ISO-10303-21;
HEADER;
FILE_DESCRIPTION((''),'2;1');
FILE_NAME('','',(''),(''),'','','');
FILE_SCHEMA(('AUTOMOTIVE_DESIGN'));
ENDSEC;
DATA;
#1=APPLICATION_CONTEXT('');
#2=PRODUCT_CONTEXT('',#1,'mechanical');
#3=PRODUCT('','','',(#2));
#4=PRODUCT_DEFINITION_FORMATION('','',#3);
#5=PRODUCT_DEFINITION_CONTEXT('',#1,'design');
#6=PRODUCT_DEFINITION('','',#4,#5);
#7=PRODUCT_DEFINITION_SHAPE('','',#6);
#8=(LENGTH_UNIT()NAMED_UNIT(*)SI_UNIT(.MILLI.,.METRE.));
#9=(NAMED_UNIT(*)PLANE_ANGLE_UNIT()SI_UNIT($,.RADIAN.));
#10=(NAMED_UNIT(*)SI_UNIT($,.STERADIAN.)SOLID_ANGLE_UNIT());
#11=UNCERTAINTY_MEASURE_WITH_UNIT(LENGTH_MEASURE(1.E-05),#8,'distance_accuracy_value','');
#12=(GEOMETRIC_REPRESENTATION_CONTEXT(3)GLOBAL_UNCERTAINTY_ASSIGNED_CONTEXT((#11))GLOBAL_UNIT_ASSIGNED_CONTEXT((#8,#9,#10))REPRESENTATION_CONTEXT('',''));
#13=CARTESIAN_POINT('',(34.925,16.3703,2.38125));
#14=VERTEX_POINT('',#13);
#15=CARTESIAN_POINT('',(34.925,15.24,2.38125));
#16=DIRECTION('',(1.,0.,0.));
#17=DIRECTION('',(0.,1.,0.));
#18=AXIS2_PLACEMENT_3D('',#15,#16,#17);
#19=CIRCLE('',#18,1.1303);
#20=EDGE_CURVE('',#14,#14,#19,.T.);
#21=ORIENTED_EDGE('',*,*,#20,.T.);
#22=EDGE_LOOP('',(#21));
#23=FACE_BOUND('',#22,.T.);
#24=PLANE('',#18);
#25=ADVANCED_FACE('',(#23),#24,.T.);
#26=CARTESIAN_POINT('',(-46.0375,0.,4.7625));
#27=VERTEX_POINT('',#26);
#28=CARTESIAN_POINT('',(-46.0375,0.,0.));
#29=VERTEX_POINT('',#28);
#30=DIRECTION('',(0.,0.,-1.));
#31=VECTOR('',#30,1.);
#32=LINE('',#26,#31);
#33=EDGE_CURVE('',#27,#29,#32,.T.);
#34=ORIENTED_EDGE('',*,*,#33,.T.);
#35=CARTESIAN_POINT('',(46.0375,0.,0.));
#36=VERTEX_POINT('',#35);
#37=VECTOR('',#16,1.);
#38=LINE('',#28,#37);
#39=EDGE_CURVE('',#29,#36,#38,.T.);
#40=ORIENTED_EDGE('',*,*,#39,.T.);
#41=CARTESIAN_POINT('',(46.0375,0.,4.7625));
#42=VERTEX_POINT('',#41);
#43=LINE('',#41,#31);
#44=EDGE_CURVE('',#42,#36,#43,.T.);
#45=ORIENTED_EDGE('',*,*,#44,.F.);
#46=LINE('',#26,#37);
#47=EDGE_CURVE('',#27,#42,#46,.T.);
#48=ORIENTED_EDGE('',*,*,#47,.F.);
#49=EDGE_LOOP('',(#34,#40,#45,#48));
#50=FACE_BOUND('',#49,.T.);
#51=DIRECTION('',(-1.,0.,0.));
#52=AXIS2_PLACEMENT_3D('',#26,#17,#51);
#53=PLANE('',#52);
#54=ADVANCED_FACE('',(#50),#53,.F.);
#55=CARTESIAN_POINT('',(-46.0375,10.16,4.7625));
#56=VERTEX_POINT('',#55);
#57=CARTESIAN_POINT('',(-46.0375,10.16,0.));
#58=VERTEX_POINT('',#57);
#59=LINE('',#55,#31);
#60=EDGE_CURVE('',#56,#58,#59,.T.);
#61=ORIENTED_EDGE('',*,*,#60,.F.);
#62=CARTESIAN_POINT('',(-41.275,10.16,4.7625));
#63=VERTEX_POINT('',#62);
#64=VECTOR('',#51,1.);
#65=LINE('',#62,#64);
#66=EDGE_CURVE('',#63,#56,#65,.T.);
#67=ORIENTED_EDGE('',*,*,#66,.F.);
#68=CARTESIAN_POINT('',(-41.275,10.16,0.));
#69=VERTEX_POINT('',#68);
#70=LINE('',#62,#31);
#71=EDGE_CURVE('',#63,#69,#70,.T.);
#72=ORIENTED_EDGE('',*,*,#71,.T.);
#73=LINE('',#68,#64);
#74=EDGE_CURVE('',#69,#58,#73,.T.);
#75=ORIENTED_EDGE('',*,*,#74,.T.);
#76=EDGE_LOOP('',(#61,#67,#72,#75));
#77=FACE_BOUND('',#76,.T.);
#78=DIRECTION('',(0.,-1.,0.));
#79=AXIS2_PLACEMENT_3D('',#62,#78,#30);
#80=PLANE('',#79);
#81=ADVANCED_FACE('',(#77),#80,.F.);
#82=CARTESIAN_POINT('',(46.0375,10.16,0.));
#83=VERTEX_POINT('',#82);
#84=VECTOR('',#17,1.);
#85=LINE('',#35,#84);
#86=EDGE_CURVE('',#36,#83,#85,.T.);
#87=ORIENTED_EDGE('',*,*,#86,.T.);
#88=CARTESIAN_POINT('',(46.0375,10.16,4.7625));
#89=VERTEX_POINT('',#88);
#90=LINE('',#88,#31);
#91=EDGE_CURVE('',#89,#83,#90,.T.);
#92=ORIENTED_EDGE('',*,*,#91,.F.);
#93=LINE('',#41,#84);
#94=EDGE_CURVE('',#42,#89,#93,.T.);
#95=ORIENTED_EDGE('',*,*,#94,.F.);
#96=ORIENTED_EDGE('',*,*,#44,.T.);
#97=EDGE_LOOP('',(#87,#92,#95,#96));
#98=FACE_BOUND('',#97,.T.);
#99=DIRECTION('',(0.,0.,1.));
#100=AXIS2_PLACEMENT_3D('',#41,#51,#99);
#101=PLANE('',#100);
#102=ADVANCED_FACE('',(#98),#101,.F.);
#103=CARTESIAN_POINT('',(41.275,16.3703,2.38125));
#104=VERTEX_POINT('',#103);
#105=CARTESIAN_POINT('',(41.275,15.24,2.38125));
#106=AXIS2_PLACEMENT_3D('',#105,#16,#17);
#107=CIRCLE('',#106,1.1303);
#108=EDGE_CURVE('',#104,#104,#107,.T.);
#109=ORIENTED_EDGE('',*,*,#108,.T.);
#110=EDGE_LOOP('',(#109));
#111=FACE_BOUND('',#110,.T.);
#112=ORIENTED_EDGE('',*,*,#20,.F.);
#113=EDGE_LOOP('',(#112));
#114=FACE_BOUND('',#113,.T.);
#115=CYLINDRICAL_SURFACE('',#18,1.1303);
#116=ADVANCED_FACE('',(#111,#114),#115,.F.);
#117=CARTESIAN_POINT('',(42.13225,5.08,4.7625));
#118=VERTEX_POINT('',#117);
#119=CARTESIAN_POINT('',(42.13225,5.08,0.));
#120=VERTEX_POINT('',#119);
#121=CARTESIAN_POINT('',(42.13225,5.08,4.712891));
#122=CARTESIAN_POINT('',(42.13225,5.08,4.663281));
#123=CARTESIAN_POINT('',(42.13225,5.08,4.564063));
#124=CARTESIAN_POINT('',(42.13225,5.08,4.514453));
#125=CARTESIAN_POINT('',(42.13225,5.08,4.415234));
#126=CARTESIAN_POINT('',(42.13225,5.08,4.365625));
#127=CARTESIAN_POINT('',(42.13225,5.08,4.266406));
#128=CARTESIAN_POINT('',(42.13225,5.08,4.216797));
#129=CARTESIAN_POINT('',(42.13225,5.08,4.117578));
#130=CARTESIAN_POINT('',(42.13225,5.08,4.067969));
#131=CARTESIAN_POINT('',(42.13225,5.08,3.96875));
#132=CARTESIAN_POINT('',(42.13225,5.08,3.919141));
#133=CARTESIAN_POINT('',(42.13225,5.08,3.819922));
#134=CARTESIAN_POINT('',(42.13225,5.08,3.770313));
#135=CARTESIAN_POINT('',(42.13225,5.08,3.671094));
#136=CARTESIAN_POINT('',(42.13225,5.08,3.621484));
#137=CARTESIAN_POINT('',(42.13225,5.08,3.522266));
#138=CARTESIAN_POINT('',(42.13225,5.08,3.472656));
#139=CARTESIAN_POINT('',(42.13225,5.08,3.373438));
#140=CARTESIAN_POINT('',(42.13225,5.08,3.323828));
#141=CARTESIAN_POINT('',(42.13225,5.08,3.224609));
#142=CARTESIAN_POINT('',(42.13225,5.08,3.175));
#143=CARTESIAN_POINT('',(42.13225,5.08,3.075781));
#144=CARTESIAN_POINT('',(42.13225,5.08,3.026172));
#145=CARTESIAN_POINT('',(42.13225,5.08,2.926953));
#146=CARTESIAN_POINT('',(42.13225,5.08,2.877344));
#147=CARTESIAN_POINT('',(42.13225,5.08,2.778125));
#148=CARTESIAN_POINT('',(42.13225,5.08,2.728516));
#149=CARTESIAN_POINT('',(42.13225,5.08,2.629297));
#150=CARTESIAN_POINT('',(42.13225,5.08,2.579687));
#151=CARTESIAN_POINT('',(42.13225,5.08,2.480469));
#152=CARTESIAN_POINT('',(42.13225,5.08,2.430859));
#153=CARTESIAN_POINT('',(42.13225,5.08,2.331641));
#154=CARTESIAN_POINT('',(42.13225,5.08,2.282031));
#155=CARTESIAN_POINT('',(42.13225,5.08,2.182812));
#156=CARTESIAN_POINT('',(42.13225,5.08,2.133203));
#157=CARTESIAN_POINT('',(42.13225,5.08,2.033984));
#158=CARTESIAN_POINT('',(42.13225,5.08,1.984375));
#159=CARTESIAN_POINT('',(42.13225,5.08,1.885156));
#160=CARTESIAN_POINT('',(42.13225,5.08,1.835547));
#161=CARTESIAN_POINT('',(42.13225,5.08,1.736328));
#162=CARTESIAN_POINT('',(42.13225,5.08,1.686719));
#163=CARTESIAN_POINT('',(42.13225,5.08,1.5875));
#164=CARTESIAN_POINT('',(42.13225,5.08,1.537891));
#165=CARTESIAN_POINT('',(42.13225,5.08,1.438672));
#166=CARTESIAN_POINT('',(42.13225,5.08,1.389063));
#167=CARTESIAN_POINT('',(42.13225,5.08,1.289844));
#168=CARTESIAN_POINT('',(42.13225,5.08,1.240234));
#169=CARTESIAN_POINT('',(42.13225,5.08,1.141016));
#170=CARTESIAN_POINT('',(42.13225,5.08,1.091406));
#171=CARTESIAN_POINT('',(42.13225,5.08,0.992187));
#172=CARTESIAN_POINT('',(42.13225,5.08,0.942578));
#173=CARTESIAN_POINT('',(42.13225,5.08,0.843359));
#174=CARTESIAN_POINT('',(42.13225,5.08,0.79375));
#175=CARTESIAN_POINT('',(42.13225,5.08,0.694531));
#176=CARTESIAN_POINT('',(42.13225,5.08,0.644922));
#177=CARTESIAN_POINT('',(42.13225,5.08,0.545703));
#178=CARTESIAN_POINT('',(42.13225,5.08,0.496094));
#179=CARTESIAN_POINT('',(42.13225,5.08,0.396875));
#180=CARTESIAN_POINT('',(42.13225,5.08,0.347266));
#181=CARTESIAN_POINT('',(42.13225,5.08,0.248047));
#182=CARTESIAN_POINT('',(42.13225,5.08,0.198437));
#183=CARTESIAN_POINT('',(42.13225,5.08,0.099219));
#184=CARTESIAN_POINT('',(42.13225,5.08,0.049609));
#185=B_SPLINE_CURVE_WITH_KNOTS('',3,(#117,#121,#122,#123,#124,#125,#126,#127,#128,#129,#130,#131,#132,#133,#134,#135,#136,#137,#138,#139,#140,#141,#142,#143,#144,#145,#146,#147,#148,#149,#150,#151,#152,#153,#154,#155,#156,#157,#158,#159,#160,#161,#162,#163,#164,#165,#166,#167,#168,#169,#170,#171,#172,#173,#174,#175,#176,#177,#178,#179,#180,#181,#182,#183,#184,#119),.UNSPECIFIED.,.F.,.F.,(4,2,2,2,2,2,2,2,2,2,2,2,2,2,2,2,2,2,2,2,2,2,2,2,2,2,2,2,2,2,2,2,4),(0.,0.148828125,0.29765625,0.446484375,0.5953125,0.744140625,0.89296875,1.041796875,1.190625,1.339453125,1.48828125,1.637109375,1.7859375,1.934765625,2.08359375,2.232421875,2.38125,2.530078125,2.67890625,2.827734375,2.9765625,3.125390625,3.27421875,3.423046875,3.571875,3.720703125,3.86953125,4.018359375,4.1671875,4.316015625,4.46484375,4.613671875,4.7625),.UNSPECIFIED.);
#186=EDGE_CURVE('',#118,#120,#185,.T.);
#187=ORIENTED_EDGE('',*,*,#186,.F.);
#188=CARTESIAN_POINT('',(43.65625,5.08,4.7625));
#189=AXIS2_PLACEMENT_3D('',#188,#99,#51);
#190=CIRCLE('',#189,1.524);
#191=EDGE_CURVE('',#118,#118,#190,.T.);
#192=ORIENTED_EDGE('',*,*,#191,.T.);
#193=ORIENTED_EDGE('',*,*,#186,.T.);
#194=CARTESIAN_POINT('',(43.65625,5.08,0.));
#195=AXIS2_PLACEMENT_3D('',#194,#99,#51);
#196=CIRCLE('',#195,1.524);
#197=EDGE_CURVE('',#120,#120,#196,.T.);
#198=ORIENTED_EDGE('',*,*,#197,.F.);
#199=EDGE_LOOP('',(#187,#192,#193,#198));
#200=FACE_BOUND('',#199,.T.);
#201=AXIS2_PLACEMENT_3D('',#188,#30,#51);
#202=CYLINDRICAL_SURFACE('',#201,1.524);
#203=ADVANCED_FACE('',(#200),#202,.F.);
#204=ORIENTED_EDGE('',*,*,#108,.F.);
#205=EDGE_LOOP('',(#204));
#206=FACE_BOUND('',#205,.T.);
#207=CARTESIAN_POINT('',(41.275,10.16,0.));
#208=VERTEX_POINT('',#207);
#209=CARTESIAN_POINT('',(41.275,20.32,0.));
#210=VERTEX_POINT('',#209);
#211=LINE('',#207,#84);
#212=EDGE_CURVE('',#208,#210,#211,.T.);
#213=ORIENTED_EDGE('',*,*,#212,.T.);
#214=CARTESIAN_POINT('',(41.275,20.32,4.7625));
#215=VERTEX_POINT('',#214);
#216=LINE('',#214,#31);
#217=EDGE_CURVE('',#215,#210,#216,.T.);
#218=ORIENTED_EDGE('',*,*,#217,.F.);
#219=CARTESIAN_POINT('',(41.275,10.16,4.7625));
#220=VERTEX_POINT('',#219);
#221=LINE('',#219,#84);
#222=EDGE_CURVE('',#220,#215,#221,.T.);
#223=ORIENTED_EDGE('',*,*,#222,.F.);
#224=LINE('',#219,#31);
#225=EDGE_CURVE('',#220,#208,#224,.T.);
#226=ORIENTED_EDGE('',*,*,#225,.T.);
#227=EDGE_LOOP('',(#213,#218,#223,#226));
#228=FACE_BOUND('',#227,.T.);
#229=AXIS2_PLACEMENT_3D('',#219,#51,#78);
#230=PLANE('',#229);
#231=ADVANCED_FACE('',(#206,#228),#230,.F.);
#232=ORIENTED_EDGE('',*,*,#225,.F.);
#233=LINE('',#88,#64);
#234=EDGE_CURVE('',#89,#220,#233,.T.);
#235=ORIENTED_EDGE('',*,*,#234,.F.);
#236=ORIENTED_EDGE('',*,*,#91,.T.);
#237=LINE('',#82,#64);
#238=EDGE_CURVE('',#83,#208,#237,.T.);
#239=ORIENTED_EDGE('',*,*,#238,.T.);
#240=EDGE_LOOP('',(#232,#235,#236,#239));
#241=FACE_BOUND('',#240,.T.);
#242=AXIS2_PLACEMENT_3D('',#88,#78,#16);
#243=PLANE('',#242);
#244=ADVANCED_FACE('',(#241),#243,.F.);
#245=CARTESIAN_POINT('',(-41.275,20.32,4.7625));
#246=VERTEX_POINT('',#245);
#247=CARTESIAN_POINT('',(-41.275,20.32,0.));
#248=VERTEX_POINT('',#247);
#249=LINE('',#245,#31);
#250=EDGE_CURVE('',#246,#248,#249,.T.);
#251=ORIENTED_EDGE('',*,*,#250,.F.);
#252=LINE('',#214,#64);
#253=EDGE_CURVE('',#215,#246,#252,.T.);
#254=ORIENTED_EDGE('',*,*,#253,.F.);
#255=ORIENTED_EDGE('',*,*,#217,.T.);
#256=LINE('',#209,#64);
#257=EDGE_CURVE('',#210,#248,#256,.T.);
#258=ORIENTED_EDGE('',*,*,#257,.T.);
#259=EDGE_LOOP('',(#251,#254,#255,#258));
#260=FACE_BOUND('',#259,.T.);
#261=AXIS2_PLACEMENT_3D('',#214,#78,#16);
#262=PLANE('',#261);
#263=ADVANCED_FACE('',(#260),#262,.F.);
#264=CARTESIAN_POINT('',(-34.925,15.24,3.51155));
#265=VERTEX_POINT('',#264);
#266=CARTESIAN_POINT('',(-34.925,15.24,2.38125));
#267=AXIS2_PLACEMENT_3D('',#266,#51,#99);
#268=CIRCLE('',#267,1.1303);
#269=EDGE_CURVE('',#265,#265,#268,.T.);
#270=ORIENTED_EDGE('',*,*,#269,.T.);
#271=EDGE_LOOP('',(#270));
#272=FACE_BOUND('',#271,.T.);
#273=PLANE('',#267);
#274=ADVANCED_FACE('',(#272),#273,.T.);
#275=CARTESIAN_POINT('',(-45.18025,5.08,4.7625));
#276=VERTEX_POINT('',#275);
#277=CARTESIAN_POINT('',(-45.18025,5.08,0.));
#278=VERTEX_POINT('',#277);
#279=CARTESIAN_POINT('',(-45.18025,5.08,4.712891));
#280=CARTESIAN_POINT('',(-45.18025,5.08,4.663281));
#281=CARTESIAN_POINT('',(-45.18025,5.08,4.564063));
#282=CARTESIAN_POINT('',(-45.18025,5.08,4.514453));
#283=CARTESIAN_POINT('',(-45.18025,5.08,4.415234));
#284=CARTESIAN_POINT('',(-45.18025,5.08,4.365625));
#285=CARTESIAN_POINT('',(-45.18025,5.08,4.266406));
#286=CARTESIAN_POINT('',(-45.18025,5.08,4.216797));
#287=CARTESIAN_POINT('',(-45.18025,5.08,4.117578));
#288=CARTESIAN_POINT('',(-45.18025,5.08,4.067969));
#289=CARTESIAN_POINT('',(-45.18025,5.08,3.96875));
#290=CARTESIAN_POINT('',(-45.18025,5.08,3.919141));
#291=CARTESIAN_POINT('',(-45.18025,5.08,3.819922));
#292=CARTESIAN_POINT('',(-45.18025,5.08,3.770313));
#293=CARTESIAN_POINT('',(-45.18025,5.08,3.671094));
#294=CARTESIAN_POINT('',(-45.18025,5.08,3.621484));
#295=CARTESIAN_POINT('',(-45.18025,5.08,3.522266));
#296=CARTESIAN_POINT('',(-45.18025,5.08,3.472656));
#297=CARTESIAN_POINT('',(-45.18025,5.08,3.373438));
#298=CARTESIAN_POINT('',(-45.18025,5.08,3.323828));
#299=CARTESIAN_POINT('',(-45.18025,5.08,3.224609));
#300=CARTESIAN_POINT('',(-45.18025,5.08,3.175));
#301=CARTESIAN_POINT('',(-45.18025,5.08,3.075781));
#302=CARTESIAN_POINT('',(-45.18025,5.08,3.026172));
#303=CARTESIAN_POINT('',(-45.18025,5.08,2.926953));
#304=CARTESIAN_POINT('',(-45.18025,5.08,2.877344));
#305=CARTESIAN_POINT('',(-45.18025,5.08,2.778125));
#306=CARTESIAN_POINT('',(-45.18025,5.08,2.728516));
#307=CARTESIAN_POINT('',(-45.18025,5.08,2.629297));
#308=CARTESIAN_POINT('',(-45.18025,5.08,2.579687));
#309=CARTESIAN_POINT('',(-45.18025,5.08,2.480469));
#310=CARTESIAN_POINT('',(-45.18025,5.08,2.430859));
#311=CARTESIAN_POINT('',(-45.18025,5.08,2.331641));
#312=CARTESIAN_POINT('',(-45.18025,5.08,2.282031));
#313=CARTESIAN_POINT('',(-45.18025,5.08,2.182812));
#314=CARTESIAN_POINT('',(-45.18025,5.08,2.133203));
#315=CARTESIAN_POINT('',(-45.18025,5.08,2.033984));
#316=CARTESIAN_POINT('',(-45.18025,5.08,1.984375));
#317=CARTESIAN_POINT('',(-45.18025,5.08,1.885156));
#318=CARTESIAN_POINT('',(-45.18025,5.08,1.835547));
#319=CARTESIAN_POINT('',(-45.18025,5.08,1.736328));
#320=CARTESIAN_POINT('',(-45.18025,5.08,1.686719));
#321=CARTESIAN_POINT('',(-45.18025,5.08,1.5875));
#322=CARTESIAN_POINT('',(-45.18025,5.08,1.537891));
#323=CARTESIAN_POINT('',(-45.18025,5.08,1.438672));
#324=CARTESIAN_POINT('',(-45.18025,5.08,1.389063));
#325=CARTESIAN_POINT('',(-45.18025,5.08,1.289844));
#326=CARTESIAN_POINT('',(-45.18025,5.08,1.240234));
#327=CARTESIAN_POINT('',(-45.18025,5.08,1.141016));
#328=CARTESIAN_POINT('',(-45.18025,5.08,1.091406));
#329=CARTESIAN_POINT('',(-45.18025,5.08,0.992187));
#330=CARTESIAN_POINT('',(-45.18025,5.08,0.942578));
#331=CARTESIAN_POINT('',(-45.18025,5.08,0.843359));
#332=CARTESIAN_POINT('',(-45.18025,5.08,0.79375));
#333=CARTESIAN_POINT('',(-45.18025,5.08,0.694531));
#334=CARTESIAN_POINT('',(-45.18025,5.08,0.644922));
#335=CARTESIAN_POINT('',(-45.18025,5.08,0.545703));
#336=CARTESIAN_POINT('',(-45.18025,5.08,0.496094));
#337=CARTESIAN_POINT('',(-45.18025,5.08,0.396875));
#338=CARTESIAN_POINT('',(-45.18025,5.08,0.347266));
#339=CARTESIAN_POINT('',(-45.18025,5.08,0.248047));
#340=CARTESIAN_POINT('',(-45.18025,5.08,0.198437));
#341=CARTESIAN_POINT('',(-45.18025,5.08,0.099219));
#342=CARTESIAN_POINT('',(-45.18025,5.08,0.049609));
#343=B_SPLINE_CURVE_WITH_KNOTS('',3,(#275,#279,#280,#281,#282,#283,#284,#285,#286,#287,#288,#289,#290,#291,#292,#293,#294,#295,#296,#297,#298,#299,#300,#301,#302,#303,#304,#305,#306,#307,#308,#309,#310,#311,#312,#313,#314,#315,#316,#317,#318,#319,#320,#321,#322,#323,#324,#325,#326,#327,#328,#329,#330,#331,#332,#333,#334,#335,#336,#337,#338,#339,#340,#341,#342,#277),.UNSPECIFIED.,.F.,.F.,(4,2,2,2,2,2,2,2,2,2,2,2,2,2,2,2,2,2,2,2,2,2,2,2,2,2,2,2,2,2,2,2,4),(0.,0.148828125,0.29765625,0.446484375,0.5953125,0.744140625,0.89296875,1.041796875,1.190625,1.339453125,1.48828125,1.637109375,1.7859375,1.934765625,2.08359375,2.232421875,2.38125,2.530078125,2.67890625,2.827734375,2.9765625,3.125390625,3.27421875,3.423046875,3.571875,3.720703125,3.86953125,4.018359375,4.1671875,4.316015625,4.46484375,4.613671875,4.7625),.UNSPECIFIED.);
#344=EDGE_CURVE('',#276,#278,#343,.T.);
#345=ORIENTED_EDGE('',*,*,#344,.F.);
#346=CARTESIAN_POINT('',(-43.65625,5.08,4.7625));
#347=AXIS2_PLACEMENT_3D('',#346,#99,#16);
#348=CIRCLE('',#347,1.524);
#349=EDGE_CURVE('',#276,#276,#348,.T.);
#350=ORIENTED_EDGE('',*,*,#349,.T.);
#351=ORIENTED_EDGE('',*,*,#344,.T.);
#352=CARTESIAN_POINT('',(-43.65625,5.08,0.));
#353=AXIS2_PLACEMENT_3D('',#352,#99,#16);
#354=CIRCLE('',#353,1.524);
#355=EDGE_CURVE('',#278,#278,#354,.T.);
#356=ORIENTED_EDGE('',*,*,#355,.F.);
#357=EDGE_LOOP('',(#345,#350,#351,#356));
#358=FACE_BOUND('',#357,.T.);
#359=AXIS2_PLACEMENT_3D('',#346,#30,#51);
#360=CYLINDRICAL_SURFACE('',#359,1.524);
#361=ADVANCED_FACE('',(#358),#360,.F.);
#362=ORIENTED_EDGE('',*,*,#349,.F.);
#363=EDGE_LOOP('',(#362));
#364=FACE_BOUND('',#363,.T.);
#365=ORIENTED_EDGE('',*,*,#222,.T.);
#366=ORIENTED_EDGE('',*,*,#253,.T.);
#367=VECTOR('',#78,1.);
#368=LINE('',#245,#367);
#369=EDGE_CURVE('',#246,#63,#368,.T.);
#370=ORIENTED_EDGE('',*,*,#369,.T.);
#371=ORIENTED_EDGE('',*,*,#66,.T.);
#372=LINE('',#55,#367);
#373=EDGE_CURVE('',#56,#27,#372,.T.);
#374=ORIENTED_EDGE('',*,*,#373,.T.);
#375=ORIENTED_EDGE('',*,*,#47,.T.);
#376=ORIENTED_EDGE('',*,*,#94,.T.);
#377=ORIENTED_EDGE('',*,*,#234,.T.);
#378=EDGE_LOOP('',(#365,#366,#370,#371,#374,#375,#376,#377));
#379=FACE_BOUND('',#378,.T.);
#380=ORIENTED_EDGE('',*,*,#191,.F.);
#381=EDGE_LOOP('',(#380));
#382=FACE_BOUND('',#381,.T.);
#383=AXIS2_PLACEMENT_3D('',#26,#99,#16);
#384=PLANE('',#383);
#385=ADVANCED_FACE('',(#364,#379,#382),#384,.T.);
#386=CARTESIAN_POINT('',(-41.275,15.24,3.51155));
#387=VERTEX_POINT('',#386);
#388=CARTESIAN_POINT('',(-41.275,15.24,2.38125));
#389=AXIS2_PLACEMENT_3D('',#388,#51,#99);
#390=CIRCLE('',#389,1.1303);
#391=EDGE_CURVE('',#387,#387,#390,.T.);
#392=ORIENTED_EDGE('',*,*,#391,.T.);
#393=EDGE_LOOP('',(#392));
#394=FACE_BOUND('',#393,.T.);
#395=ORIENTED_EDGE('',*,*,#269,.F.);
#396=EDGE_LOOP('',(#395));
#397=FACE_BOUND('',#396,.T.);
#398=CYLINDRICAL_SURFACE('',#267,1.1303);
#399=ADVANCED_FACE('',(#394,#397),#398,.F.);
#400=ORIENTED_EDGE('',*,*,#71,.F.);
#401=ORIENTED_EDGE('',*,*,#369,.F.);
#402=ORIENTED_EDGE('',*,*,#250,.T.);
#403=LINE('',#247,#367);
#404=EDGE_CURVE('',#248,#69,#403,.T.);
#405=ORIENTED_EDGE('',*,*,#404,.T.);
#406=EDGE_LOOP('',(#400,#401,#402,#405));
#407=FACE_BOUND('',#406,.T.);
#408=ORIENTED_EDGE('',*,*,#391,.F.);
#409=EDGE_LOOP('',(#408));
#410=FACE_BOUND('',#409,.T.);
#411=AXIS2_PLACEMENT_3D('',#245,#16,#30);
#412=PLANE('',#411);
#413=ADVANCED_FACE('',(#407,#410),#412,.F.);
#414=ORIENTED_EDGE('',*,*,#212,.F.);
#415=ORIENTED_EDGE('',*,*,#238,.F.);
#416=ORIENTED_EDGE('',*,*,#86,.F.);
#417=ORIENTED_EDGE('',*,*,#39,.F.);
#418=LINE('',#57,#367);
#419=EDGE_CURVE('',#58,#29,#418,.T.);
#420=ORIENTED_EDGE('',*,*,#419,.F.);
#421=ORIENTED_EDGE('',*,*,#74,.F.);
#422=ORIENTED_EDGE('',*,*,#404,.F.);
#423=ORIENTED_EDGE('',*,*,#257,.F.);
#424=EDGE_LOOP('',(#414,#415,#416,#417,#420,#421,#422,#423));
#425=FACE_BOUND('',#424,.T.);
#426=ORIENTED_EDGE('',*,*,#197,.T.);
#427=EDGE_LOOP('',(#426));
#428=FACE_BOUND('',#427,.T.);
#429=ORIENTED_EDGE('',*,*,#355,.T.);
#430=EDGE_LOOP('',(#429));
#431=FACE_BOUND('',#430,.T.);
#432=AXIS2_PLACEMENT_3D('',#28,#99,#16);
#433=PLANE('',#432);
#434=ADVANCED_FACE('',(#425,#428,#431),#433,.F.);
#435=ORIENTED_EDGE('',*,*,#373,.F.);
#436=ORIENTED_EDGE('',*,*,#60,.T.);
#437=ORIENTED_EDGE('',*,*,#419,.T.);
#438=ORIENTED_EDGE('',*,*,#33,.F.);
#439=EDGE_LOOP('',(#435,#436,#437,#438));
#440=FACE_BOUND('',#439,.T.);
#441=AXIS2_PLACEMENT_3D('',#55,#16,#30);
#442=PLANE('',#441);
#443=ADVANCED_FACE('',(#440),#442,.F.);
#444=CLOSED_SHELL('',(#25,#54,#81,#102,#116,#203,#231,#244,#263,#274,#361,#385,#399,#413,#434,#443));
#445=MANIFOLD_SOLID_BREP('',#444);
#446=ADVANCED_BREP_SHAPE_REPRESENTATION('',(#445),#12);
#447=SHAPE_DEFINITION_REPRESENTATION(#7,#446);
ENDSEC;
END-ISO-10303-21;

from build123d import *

# Parameters (mm, degrees)
SKETCH1_R           = 1.524
BOSS_EXTRUDE1_DEPTH = 4.7625
SKETCH2_R           = 1.1303
CUT_EXTRUDE1_DEPTH  = 6.35
CUT_EXTRUDE2_START  = -6.35
SKETCH3_R           = 1.1303
CUT_EXTRUDE2_DEPTH  = 6.35


with BuildPart() as part:
    # Sketch1 → Boss-Extrude1 (new body)
    with BuildSketch(Plane.XY):
        Polygon((-46.0375, 0), (46.0375, 0), (46.0375, 10.16), (41.275, 10.16), (41.275, 20.32), (-41.275, 20.32), (-41.275, 10.16), (-46.0375, 10.16), align=None)
        with Locations(Location((-43.65625, 5.08, 0), (0, 0, 180))):
            Circle(SKETCH1_R, mode=Mode.SUBTRACT)
        with Locations(Location((43.65625, 5.08, 0), (0, 0, 180))):
            Circle(SKETCH1_R, mode=Mode.SUBTRACT)
    extrude(amount=BOSS_EXTRUDE1_DEPTH)

    # Sketch2 → Cut-Extrude1 (cut)
    with BuildSketch(Plane(origin=(41.275, 0, 0), x_dir=(0, 0, -1), z_dir=(1, 0, 0))):
        with Locations(Location((-2.38125, 15.24, 0), (0, 0, 90))):
            Circle(SKETCH2_R)
    extrude(amount=-CUT_EXTRUDE1_DEPTH, mode=Mode.SUBTRACT)

    # Sketch3 → Cut-Extrude2 (cut)
    with BuildSketch(Plane.ZY.offset(41.275).offset(CUT_EXTRUDE2_START)):
        with Locations(Location((2.38125, 15.24, 0), (0, 0, 90))):
            Circle(SKETCH3_R)
    extrude(amount=CUT_EXTRUDE2_DEPTH, mode=Mode.SUBTRACT)


solid = part.part
